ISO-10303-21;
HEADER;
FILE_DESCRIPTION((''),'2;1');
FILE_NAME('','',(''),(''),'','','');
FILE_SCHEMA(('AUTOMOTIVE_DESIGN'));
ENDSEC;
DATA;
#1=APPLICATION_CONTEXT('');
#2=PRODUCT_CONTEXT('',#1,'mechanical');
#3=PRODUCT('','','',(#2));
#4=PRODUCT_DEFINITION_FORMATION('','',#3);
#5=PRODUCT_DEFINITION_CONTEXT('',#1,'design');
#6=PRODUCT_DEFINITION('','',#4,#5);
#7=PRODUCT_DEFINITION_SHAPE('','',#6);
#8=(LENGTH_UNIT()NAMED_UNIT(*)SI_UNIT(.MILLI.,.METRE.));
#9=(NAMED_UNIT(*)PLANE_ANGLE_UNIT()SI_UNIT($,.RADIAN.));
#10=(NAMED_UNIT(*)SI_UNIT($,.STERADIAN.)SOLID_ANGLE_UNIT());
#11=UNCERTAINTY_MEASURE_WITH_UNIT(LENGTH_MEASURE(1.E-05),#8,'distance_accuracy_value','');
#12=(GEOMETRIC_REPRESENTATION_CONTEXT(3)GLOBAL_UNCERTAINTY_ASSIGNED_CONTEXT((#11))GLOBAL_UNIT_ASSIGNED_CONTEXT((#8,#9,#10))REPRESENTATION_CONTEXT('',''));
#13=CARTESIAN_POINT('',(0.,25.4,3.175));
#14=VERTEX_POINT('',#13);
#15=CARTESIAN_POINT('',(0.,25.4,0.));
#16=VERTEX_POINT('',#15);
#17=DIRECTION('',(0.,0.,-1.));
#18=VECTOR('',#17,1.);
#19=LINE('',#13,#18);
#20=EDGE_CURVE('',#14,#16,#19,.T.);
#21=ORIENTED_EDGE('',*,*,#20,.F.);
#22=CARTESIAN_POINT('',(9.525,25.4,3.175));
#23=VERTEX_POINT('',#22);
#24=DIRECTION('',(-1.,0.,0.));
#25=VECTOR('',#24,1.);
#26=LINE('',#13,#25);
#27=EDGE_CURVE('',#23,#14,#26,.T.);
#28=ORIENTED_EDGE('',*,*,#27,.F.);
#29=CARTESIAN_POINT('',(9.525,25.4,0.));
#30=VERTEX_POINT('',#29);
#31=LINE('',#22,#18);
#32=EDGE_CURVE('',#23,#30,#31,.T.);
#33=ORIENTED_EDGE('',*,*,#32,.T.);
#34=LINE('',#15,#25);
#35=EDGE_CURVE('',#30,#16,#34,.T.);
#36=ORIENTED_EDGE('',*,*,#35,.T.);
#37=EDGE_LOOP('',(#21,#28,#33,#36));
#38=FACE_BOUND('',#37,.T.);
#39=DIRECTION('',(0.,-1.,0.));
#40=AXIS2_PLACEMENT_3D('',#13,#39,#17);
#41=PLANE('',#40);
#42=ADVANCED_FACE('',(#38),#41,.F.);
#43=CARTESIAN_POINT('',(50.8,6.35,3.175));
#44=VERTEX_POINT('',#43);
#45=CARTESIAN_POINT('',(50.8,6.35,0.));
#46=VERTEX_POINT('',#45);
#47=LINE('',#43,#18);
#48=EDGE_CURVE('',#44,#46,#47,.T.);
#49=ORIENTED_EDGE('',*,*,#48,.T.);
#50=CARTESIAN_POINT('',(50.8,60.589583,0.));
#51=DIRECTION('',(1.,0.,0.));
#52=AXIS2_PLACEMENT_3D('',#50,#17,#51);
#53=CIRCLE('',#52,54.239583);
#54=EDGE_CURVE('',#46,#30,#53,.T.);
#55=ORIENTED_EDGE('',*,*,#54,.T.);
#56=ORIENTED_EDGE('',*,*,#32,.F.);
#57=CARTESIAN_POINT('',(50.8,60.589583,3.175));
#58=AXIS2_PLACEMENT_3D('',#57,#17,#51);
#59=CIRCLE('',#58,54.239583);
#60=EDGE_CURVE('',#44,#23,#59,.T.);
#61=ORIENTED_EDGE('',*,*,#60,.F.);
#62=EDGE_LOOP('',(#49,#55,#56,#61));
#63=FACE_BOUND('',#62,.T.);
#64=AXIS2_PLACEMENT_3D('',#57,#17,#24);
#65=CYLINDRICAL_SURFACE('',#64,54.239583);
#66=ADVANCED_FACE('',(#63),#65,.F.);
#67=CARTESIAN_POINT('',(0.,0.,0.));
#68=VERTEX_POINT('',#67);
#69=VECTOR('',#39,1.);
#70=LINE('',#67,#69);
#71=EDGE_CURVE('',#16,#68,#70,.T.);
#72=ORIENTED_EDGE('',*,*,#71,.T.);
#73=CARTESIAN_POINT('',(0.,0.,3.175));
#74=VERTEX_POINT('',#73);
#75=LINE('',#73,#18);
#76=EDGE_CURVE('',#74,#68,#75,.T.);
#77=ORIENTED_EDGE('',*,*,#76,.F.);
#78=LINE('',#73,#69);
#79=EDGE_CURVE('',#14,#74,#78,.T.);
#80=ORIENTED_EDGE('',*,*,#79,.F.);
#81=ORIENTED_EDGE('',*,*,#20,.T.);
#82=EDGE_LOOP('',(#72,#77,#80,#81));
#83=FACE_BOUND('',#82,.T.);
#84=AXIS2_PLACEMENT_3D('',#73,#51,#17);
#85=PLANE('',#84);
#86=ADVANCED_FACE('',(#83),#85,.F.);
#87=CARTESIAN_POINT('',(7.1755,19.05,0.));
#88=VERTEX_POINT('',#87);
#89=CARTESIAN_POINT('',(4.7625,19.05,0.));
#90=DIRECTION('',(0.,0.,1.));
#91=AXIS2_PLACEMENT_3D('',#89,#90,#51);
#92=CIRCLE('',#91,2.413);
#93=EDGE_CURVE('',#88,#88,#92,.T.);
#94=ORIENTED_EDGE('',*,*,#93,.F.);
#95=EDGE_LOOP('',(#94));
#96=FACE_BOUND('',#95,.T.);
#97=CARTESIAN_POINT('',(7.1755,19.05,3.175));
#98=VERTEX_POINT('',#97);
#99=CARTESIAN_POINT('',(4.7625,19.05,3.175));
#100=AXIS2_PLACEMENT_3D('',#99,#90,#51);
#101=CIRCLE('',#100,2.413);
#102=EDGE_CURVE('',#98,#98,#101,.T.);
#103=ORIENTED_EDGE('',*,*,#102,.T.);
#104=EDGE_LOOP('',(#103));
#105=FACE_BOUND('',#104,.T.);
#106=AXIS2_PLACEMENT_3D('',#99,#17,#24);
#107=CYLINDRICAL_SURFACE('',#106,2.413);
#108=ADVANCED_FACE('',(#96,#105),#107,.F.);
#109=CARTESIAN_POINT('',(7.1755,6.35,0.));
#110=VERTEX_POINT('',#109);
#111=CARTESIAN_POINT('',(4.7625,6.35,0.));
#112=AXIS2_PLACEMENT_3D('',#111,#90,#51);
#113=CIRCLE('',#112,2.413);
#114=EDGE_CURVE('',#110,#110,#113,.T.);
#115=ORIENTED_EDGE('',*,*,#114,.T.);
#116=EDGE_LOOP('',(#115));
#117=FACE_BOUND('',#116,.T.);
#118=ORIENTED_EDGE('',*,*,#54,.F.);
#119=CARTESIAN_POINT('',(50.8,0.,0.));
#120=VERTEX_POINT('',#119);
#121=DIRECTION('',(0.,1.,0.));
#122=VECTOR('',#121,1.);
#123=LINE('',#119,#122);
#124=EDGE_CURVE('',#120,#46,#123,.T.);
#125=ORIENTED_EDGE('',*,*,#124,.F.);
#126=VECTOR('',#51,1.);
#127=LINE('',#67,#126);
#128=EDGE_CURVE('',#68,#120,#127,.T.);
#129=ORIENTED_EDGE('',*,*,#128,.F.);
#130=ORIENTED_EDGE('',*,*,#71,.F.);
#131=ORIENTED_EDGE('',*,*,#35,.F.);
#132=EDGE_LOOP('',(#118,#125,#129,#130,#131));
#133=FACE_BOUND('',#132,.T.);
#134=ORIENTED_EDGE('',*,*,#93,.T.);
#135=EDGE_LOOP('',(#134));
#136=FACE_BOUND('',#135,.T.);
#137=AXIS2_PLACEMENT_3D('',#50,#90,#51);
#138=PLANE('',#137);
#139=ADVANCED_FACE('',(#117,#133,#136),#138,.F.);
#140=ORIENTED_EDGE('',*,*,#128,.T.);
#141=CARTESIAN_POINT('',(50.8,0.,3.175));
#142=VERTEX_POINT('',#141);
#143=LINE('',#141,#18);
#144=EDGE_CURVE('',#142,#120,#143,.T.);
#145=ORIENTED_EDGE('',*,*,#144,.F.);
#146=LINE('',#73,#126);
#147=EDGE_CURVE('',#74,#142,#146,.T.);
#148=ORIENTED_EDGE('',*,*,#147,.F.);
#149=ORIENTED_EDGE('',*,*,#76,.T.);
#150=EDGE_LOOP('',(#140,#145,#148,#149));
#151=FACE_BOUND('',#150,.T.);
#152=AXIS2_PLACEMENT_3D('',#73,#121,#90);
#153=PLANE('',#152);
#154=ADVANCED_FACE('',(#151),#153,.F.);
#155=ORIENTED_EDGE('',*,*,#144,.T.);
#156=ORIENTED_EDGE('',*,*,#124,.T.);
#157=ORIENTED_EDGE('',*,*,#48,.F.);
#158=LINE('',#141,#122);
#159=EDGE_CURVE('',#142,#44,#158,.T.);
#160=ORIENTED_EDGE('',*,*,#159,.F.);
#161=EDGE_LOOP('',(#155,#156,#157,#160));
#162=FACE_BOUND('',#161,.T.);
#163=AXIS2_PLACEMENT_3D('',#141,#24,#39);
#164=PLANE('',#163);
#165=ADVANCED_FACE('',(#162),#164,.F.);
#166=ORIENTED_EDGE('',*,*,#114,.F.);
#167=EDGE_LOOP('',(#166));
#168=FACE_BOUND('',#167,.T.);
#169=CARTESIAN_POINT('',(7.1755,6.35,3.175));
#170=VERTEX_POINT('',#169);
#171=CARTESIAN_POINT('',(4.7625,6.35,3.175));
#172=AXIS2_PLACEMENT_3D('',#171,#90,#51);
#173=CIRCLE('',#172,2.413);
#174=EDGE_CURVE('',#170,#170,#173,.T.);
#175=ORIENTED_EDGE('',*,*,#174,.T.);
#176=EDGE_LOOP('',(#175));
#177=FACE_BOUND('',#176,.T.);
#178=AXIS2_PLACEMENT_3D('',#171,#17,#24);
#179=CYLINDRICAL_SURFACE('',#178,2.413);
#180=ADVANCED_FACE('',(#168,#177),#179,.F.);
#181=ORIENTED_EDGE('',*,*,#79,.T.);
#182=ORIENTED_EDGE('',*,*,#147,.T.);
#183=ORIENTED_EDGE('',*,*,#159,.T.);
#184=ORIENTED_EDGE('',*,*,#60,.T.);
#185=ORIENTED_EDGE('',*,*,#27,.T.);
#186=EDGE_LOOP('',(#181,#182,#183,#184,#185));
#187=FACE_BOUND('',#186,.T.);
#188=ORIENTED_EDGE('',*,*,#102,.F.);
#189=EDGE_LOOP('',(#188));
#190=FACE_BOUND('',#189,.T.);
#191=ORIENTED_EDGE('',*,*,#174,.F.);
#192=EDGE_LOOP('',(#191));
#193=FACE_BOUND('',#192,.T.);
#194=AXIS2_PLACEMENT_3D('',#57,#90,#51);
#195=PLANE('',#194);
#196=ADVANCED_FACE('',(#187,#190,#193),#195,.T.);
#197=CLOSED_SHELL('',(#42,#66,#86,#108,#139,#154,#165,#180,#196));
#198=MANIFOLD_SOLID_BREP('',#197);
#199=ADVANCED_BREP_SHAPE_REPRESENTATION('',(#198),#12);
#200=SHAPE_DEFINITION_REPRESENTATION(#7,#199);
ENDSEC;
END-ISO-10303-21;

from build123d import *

# Parameters (mm, degrees)
SKETCH1_R           = 2.413
BOSS_EXTRUDE1_DEPTH = 3.175


with BuildPart() as part:
    # Sketch1 → Boss-Extrude1 (new body)
    with BuildSketch(Plane.XY):
        with BuildLine():
            Line((0, 0), (0, 25.4))
            Line((0, 25.4), (9.525, 25.4))
            ThreePointArc((9.525, 25.4), (28.070459062, 11.342244634), (50.8, 6.35))
            Line((50.8, 6.35), (50.8, 0))
            Line((50.8, 0), (0, 0))
        make_face()
        with Locations((4.7625, 6.35)):
            Circle(SKETCH1_R, mode=Mode.SUBTRACT)
        with Locations((4.7625, 19.05)):
            Circle(SKETCH1_R, mode=Mode.SUBTRACT)
    extrude(amount=BOSS_EXTRUDE1_DEPTH)


solid = part.part
